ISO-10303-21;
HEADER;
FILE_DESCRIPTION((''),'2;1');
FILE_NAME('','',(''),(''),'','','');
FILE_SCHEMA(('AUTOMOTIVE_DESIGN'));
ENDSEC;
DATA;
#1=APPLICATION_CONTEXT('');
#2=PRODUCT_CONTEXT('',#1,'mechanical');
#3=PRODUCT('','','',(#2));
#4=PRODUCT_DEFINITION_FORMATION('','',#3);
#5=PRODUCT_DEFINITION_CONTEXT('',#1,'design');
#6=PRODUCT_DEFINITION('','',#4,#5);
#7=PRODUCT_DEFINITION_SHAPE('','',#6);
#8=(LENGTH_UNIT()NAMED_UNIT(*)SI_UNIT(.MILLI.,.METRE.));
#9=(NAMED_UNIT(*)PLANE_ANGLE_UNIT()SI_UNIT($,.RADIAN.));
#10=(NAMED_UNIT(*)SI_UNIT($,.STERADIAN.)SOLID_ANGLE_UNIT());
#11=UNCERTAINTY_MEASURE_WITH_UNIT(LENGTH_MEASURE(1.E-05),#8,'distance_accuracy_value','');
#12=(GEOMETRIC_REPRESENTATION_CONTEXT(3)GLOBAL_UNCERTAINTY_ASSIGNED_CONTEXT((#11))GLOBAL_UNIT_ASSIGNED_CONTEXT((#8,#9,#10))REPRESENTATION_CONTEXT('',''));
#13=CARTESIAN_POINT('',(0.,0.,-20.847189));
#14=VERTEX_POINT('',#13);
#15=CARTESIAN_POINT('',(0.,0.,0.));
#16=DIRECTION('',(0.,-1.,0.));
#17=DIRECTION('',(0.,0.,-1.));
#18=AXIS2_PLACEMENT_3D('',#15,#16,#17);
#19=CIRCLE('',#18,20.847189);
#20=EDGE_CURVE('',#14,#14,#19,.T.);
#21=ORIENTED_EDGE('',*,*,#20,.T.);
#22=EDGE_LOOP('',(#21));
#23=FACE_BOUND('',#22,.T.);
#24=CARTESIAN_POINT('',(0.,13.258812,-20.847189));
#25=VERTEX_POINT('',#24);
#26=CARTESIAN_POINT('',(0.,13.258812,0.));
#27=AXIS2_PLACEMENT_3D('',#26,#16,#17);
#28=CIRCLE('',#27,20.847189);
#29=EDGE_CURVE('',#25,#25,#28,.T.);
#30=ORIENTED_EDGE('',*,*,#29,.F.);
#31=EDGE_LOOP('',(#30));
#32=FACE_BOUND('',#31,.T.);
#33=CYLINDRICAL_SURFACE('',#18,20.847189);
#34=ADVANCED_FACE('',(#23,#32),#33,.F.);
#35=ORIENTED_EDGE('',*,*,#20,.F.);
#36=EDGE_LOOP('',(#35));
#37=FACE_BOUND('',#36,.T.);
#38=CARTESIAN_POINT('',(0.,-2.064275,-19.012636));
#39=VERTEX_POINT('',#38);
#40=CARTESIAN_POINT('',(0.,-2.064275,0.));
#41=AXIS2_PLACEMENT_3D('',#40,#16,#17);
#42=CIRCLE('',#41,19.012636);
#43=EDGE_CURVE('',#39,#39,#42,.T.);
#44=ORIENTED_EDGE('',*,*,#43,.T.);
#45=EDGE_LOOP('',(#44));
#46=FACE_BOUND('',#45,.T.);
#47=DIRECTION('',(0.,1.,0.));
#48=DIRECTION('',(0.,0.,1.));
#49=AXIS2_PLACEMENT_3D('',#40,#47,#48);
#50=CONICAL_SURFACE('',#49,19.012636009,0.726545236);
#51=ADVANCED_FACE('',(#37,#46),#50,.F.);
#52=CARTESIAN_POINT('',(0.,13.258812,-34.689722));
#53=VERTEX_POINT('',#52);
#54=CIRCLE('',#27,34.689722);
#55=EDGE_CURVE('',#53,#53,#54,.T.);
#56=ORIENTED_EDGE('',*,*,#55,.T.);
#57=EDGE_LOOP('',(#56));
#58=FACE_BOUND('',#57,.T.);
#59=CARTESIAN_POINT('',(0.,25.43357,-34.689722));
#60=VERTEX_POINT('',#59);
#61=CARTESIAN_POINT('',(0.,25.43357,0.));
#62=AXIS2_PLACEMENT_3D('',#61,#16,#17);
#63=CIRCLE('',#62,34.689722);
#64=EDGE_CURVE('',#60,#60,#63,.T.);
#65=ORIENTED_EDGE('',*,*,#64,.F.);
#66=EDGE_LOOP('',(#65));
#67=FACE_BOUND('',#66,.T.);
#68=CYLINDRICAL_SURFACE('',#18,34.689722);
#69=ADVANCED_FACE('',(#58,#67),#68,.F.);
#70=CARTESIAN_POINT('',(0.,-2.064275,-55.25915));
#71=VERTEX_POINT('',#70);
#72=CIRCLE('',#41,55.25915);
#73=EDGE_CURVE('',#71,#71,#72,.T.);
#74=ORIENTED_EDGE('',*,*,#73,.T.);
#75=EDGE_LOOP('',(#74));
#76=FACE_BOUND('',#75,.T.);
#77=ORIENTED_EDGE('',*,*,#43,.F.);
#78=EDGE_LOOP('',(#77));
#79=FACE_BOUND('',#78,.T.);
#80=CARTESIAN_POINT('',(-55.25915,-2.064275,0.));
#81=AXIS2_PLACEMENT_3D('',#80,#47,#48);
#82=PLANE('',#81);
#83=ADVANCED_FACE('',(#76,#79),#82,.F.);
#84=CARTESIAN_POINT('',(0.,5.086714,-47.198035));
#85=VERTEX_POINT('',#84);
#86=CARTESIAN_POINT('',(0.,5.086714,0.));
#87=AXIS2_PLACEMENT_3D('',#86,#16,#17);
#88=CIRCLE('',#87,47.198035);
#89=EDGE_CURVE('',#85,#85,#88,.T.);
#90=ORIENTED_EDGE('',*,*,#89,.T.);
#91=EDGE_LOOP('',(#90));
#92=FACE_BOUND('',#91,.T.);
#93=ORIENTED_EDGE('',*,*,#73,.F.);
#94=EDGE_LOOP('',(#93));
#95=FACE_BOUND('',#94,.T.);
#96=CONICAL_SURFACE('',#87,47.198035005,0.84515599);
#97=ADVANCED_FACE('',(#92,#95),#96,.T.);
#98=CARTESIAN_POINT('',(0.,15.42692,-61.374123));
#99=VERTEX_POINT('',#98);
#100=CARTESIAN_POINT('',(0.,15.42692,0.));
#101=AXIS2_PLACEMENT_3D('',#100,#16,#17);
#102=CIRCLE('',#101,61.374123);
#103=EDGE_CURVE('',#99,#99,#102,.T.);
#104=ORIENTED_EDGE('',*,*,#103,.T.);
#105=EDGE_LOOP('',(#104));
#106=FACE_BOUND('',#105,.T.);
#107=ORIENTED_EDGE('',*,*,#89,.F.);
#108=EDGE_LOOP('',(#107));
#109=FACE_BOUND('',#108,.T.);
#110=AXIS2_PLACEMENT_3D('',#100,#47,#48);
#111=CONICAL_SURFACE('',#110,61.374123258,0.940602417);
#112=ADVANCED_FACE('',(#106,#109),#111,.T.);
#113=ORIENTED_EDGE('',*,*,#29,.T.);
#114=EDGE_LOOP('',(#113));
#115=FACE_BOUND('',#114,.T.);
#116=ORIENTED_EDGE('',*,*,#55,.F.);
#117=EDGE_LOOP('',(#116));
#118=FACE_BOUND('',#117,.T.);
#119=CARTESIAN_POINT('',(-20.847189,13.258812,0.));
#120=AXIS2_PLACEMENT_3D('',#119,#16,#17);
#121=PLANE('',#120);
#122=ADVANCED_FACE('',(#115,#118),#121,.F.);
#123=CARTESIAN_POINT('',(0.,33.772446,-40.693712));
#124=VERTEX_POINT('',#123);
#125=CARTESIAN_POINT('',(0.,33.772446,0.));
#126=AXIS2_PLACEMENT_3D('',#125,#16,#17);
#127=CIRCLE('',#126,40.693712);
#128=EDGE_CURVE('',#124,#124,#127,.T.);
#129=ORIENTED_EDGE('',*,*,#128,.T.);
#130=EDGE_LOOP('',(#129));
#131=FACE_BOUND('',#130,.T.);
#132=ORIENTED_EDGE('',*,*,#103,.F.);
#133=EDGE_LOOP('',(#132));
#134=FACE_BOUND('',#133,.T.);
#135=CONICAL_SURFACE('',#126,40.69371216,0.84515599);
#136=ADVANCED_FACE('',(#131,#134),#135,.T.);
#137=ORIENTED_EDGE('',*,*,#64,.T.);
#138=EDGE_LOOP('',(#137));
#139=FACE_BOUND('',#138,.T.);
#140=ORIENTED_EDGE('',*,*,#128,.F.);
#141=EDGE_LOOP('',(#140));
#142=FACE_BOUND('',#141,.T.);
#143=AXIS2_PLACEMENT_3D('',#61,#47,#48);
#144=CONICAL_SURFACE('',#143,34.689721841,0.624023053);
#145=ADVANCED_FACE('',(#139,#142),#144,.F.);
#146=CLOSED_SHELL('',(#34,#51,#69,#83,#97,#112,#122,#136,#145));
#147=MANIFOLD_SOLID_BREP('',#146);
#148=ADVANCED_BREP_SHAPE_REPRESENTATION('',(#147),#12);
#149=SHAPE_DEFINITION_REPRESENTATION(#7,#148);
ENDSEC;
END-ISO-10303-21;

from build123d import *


with BuildPart() as part:
    # Sketch1 → Revolve1 (revolve)
    with BuildSketch(Plane.XY, mode=Mode.PRIVATE) as revolve1_sk:
        Polygon((-20.847188607, 0), (-20.847188607, 13.258811954), (-34.689721841, 13.258811954), (-34.689721841, 25.4335701), (-40.69371216, 33.772445543), (-61.374123258, 15.426919569), (-47.198035005, 5.08671402), (-55.259150264, -2.064275323), (-19.012636009, -2.064275323), align=None)
    revolve(revolve1_sk.sketch.rotate(Axis((0, 0, 0), (0, 1, 0)), 270), axis=Axis((0, 0, 0), (0, 1, 0)))


solid = part.part
